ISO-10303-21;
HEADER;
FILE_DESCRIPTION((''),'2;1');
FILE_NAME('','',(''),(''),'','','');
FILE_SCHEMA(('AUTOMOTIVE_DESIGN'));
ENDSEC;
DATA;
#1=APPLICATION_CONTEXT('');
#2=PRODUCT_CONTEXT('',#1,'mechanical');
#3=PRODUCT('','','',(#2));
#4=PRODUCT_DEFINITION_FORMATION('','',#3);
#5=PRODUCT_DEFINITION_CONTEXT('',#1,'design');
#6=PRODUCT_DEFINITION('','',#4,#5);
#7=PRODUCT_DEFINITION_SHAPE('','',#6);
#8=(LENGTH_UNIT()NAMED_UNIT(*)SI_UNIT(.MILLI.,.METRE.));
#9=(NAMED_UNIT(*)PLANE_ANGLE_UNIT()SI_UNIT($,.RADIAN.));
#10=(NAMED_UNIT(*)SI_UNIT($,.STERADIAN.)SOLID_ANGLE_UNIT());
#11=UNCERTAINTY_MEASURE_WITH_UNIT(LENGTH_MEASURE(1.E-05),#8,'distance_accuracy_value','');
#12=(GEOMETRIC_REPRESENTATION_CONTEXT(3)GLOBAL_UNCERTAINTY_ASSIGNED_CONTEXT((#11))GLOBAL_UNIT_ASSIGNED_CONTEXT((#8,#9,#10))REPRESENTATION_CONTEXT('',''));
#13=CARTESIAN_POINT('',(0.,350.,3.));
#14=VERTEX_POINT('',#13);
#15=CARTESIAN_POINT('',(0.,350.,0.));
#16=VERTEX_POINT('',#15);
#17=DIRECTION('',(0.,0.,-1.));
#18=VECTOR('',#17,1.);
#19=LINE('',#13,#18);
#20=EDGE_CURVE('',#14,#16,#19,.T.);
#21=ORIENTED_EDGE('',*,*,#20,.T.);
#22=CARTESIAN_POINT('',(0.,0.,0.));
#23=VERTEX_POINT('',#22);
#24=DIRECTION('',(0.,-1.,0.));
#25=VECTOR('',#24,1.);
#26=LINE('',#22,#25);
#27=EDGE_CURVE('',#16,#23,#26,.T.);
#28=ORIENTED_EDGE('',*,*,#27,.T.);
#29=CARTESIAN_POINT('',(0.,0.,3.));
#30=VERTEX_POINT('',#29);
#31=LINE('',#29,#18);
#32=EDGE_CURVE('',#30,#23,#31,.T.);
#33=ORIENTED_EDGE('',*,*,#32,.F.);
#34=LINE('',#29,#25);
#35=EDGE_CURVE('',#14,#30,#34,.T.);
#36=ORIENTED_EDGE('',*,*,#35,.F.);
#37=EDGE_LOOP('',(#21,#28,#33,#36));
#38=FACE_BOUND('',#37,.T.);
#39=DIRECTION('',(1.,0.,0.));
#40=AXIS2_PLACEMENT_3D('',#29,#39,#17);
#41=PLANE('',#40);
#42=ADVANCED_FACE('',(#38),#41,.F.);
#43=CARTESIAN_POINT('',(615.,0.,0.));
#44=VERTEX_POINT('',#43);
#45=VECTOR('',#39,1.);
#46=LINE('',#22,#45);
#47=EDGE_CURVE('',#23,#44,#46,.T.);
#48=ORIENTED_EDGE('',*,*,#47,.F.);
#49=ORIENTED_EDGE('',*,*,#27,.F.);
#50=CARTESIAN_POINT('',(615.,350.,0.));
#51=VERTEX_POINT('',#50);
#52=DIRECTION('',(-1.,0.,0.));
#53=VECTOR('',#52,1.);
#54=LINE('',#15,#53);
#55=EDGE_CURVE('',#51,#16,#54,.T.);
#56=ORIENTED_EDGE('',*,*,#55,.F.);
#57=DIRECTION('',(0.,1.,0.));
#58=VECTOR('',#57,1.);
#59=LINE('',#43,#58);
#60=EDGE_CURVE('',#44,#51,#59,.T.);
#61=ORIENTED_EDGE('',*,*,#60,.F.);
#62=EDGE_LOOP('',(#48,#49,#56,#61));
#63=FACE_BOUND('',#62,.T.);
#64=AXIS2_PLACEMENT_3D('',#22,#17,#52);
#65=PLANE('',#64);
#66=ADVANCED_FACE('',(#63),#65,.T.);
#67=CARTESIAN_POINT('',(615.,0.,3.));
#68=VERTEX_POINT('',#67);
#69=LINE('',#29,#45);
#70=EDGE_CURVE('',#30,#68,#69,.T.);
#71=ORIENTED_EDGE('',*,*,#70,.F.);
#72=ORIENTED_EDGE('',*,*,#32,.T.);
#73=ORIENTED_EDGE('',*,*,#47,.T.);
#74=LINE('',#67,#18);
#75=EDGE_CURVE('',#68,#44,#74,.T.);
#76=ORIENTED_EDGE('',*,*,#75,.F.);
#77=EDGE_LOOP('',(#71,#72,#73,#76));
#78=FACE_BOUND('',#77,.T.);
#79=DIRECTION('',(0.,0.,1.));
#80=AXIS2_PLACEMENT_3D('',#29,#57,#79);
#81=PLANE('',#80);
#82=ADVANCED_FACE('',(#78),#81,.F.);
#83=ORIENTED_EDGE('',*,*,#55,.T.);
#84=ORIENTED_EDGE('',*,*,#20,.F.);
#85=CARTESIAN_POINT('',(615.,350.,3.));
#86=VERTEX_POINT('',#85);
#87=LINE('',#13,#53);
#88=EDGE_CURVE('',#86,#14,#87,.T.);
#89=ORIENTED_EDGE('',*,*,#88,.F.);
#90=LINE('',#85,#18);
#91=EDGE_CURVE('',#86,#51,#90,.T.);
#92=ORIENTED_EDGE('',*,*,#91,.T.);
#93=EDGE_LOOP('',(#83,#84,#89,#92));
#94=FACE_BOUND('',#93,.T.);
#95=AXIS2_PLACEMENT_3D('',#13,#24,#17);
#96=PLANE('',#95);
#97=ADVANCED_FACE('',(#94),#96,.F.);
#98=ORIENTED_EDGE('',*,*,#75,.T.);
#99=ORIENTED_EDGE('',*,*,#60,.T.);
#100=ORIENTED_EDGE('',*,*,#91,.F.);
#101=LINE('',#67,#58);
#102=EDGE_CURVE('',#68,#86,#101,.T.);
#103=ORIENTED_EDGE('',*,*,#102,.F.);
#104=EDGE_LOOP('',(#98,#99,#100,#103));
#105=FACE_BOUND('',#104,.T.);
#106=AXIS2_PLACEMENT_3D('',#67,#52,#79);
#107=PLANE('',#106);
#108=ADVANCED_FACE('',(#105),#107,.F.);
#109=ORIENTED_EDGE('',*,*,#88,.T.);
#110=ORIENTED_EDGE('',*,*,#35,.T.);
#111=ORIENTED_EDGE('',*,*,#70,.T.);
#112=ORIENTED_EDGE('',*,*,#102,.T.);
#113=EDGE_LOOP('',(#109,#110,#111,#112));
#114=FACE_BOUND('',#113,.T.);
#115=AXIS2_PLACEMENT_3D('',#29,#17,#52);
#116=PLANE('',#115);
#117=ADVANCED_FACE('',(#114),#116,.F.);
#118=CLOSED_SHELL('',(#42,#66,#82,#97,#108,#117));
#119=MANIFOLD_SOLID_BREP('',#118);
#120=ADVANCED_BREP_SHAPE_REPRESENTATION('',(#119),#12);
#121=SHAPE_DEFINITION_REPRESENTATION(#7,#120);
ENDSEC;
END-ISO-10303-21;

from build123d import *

# Parameters (mm, degrees)
SKETCH_1_W      = 615
SKETCH_1_H      = 350
EXTRUDE_1_DEPTH = 3


with BuildPart() as part:
    # 草图1 → 凸台-拉伸1 (new body)
    with BuildSketch(Plane.XY):
        with Locations((307.5, 175)):
            Rectangle(SKETCH_1_W, SKETCH_1_H)
    extrude(amount=EXTRUDE_1_DEPTH)


solid = part.part
